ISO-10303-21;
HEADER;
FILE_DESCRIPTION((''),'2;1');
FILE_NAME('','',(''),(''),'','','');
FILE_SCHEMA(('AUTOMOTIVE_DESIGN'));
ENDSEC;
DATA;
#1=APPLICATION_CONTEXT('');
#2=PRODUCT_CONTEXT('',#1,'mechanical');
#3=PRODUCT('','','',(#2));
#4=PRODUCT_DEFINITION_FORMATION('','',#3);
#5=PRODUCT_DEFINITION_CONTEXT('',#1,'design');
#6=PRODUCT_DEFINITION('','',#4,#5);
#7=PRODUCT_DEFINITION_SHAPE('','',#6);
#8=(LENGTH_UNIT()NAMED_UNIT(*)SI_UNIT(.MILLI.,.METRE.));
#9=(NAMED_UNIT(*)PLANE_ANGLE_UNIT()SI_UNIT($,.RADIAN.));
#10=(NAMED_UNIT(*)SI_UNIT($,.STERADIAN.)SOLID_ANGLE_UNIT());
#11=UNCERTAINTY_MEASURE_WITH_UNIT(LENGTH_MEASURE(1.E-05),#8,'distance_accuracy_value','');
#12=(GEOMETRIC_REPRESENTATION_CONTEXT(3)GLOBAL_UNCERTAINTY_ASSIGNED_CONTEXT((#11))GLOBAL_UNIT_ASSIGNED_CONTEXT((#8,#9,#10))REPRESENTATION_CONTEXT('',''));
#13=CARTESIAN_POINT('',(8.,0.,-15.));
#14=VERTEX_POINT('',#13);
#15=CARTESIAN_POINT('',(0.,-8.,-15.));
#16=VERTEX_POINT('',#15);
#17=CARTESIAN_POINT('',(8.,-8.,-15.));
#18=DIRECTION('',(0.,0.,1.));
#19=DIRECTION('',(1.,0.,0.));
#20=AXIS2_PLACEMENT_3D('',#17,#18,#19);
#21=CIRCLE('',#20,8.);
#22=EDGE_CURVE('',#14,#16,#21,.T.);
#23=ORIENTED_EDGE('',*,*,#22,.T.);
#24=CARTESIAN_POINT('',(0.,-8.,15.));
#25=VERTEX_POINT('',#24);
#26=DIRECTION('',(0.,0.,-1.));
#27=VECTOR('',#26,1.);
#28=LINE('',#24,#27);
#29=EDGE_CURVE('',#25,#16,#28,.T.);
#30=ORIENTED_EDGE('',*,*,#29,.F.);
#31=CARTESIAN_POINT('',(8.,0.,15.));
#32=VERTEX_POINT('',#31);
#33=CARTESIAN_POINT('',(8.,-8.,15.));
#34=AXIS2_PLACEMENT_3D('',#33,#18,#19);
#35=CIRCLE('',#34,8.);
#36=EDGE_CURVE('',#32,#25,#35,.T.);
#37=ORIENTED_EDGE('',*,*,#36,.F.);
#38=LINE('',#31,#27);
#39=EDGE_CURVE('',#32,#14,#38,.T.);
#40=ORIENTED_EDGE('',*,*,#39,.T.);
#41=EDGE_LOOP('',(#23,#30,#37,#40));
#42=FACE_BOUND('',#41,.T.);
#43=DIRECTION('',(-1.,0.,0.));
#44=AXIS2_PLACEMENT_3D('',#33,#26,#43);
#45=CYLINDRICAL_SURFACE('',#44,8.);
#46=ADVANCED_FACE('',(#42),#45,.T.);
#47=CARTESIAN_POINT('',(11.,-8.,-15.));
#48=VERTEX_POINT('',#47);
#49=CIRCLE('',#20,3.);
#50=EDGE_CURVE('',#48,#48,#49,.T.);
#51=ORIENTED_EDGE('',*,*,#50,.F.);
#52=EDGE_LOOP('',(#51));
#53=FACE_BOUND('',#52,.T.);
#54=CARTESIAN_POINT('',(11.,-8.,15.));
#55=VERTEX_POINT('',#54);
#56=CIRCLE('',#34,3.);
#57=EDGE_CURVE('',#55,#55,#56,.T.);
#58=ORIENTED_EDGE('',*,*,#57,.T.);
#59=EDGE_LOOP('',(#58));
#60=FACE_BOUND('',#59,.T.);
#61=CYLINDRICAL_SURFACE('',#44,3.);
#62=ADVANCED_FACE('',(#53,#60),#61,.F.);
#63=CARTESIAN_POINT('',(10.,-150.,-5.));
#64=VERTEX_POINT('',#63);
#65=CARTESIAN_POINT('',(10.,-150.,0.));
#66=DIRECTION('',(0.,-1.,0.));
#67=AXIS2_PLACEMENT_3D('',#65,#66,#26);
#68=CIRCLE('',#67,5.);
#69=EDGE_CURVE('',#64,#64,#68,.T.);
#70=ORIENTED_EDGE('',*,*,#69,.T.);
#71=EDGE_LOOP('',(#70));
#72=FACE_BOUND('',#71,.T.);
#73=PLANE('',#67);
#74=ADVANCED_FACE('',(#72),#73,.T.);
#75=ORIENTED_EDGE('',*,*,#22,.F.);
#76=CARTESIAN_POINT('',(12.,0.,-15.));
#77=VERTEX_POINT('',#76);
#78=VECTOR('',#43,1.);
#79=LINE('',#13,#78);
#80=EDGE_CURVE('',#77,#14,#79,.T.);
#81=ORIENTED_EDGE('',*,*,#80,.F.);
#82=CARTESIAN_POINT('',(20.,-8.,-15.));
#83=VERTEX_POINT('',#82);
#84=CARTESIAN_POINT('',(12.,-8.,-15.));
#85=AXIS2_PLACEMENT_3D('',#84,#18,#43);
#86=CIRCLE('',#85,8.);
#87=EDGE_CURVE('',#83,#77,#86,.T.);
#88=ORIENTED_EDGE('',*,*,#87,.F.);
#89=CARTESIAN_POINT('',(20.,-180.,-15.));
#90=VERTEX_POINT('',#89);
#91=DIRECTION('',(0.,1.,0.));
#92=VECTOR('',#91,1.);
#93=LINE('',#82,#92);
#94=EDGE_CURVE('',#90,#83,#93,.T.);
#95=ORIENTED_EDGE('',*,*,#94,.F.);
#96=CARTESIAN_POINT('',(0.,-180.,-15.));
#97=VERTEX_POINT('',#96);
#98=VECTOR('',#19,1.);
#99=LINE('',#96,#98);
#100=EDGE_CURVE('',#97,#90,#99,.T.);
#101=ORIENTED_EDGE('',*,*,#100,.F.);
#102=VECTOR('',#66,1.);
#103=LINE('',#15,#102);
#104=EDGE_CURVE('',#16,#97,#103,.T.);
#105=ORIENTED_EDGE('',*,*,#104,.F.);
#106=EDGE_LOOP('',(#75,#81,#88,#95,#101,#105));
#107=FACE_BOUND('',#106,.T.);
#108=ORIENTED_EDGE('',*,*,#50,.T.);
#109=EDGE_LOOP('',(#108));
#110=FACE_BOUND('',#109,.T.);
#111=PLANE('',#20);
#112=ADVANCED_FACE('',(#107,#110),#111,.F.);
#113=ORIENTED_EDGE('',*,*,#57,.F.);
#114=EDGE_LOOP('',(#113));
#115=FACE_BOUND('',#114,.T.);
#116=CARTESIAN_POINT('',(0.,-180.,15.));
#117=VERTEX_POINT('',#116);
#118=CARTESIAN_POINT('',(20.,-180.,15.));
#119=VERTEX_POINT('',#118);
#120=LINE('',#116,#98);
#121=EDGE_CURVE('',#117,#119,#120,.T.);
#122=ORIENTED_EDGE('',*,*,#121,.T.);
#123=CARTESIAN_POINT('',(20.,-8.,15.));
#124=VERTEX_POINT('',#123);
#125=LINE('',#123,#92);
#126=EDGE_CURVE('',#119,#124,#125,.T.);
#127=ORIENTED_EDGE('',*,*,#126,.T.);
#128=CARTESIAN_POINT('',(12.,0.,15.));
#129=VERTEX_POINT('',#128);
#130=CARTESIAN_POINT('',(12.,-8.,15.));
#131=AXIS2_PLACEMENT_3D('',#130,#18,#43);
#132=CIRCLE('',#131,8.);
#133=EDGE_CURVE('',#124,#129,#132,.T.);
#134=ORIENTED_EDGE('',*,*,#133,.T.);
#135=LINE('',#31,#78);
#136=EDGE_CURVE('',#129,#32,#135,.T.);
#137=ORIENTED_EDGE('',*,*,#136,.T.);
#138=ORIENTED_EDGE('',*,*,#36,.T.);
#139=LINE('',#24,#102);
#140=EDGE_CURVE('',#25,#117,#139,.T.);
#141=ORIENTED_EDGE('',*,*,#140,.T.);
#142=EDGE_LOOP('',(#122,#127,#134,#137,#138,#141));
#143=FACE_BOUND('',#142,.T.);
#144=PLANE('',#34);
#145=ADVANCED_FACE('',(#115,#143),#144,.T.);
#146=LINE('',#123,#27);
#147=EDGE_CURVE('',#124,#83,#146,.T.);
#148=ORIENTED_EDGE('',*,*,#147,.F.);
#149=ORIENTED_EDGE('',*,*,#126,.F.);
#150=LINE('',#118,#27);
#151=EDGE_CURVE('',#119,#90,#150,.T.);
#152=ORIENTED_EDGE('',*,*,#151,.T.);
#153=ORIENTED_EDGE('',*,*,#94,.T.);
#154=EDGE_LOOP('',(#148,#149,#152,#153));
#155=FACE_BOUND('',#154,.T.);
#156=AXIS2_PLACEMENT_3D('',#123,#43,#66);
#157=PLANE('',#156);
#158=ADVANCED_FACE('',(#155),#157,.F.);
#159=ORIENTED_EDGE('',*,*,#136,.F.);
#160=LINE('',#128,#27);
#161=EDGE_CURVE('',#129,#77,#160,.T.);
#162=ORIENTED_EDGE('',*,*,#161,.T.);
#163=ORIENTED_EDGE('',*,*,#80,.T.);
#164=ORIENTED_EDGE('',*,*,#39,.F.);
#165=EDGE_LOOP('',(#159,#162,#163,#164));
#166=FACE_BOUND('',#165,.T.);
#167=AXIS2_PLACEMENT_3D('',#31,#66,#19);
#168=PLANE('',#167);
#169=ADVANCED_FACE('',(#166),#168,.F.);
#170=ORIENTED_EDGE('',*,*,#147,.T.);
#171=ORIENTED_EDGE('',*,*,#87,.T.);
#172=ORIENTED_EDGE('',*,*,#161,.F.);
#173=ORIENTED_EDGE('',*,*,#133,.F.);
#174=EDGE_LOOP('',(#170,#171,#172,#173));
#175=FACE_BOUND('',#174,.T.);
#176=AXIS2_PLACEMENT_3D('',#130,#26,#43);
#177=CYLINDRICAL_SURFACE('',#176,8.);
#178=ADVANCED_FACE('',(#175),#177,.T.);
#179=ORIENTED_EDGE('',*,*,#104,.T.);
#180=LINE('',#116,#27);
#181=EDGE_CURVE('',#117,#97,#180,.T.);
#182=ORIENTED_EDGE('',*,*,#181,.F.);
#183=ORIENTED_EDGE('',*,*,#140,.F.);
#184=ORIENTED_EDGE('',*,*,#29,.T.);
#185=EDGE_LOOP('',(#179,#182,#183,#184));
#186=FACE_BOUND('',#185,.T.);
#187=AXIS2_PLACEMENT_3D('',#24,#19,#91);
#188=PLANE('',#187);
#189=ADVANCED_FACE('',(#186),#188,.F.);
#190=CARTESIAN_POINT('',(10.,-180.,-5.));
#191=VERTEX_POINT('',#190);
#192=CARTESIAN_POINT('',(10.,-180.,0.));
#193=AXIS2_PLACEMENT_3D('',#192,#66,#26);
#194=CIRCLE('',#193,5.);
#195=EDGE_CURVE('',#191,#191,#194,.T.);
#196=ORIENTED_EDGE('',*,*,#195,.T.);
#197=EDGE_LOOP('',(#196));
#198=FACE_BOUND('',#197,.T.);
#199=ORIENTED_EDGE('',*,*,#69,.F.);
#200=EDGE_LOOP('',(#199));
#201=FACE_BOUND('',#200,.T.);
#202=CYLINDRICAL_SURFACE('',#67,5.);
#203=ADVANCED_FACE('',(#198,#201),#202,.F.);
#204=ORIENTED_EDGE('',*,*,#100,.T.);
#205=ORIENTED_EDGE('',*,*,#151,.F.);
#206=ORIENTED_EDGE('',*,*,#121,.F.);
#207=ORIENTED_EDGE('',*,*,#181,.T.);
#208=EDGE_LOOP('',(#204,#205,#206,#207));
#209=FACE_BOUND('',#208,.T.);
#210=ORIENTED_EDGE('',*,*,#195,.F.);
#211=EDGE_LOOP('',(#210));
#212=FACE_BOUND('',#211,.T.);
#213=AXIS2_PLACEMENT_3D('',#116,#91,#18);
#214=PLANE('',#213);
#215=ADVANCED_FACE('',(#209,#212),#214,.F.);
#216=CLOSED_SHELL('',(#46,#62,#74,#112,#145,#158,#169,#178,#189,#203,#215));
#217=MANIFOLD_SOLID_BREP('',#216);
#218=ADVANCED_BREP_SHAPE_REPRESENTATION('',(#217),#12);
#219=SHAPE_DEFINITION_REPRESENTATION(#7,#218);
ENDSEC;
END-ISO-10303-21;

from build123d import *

# Parameters (mm, degrees)
SKETCH_1_R          = 3
EXTRUDE_1_DEPTH     = 15
SKETCH_2_R          = 5
CUT_EXTRUDE_1_DEPTH = 30


with BuildPart() as part:
    # 草图1 → 凸台-拉伸1 (new, symmetric)
    with BuildSketch(Plane.XY):
        with BuildLine():
            Line((8, 0), (12, 0))
            ThreePointArc((12, 0), (17.656854249, -2.343145751), (20, -8))
            Line((20, -8), (20, -180))
            Line((20, -180), (0, -180))
            Line((0, -180), (0, -8))
            ThreePointArc((0, -8), (2.343145751, -2.343145751), (8, 0))
        make_face()
        with Locations((8, -8)):
            Circle(SKETCH_1_R, mode=Mode.SUBTRACT)
    extrude(amount=EXTRUDE_1_DEPTH, both=True)

    # 草图2 → 切除-拉伸1 (cut)
    with BuildSketch(Plane.XZ.offset(180)):
        with Locations(Location((10, 0, 0), (0, 0, 270))):
            Circle(SKETCH_2_R)
    extrude(amount=-CUT_EXTRUDE_1_DEPTH, mode=Mode.SUBTRACT)


solid = part.part
